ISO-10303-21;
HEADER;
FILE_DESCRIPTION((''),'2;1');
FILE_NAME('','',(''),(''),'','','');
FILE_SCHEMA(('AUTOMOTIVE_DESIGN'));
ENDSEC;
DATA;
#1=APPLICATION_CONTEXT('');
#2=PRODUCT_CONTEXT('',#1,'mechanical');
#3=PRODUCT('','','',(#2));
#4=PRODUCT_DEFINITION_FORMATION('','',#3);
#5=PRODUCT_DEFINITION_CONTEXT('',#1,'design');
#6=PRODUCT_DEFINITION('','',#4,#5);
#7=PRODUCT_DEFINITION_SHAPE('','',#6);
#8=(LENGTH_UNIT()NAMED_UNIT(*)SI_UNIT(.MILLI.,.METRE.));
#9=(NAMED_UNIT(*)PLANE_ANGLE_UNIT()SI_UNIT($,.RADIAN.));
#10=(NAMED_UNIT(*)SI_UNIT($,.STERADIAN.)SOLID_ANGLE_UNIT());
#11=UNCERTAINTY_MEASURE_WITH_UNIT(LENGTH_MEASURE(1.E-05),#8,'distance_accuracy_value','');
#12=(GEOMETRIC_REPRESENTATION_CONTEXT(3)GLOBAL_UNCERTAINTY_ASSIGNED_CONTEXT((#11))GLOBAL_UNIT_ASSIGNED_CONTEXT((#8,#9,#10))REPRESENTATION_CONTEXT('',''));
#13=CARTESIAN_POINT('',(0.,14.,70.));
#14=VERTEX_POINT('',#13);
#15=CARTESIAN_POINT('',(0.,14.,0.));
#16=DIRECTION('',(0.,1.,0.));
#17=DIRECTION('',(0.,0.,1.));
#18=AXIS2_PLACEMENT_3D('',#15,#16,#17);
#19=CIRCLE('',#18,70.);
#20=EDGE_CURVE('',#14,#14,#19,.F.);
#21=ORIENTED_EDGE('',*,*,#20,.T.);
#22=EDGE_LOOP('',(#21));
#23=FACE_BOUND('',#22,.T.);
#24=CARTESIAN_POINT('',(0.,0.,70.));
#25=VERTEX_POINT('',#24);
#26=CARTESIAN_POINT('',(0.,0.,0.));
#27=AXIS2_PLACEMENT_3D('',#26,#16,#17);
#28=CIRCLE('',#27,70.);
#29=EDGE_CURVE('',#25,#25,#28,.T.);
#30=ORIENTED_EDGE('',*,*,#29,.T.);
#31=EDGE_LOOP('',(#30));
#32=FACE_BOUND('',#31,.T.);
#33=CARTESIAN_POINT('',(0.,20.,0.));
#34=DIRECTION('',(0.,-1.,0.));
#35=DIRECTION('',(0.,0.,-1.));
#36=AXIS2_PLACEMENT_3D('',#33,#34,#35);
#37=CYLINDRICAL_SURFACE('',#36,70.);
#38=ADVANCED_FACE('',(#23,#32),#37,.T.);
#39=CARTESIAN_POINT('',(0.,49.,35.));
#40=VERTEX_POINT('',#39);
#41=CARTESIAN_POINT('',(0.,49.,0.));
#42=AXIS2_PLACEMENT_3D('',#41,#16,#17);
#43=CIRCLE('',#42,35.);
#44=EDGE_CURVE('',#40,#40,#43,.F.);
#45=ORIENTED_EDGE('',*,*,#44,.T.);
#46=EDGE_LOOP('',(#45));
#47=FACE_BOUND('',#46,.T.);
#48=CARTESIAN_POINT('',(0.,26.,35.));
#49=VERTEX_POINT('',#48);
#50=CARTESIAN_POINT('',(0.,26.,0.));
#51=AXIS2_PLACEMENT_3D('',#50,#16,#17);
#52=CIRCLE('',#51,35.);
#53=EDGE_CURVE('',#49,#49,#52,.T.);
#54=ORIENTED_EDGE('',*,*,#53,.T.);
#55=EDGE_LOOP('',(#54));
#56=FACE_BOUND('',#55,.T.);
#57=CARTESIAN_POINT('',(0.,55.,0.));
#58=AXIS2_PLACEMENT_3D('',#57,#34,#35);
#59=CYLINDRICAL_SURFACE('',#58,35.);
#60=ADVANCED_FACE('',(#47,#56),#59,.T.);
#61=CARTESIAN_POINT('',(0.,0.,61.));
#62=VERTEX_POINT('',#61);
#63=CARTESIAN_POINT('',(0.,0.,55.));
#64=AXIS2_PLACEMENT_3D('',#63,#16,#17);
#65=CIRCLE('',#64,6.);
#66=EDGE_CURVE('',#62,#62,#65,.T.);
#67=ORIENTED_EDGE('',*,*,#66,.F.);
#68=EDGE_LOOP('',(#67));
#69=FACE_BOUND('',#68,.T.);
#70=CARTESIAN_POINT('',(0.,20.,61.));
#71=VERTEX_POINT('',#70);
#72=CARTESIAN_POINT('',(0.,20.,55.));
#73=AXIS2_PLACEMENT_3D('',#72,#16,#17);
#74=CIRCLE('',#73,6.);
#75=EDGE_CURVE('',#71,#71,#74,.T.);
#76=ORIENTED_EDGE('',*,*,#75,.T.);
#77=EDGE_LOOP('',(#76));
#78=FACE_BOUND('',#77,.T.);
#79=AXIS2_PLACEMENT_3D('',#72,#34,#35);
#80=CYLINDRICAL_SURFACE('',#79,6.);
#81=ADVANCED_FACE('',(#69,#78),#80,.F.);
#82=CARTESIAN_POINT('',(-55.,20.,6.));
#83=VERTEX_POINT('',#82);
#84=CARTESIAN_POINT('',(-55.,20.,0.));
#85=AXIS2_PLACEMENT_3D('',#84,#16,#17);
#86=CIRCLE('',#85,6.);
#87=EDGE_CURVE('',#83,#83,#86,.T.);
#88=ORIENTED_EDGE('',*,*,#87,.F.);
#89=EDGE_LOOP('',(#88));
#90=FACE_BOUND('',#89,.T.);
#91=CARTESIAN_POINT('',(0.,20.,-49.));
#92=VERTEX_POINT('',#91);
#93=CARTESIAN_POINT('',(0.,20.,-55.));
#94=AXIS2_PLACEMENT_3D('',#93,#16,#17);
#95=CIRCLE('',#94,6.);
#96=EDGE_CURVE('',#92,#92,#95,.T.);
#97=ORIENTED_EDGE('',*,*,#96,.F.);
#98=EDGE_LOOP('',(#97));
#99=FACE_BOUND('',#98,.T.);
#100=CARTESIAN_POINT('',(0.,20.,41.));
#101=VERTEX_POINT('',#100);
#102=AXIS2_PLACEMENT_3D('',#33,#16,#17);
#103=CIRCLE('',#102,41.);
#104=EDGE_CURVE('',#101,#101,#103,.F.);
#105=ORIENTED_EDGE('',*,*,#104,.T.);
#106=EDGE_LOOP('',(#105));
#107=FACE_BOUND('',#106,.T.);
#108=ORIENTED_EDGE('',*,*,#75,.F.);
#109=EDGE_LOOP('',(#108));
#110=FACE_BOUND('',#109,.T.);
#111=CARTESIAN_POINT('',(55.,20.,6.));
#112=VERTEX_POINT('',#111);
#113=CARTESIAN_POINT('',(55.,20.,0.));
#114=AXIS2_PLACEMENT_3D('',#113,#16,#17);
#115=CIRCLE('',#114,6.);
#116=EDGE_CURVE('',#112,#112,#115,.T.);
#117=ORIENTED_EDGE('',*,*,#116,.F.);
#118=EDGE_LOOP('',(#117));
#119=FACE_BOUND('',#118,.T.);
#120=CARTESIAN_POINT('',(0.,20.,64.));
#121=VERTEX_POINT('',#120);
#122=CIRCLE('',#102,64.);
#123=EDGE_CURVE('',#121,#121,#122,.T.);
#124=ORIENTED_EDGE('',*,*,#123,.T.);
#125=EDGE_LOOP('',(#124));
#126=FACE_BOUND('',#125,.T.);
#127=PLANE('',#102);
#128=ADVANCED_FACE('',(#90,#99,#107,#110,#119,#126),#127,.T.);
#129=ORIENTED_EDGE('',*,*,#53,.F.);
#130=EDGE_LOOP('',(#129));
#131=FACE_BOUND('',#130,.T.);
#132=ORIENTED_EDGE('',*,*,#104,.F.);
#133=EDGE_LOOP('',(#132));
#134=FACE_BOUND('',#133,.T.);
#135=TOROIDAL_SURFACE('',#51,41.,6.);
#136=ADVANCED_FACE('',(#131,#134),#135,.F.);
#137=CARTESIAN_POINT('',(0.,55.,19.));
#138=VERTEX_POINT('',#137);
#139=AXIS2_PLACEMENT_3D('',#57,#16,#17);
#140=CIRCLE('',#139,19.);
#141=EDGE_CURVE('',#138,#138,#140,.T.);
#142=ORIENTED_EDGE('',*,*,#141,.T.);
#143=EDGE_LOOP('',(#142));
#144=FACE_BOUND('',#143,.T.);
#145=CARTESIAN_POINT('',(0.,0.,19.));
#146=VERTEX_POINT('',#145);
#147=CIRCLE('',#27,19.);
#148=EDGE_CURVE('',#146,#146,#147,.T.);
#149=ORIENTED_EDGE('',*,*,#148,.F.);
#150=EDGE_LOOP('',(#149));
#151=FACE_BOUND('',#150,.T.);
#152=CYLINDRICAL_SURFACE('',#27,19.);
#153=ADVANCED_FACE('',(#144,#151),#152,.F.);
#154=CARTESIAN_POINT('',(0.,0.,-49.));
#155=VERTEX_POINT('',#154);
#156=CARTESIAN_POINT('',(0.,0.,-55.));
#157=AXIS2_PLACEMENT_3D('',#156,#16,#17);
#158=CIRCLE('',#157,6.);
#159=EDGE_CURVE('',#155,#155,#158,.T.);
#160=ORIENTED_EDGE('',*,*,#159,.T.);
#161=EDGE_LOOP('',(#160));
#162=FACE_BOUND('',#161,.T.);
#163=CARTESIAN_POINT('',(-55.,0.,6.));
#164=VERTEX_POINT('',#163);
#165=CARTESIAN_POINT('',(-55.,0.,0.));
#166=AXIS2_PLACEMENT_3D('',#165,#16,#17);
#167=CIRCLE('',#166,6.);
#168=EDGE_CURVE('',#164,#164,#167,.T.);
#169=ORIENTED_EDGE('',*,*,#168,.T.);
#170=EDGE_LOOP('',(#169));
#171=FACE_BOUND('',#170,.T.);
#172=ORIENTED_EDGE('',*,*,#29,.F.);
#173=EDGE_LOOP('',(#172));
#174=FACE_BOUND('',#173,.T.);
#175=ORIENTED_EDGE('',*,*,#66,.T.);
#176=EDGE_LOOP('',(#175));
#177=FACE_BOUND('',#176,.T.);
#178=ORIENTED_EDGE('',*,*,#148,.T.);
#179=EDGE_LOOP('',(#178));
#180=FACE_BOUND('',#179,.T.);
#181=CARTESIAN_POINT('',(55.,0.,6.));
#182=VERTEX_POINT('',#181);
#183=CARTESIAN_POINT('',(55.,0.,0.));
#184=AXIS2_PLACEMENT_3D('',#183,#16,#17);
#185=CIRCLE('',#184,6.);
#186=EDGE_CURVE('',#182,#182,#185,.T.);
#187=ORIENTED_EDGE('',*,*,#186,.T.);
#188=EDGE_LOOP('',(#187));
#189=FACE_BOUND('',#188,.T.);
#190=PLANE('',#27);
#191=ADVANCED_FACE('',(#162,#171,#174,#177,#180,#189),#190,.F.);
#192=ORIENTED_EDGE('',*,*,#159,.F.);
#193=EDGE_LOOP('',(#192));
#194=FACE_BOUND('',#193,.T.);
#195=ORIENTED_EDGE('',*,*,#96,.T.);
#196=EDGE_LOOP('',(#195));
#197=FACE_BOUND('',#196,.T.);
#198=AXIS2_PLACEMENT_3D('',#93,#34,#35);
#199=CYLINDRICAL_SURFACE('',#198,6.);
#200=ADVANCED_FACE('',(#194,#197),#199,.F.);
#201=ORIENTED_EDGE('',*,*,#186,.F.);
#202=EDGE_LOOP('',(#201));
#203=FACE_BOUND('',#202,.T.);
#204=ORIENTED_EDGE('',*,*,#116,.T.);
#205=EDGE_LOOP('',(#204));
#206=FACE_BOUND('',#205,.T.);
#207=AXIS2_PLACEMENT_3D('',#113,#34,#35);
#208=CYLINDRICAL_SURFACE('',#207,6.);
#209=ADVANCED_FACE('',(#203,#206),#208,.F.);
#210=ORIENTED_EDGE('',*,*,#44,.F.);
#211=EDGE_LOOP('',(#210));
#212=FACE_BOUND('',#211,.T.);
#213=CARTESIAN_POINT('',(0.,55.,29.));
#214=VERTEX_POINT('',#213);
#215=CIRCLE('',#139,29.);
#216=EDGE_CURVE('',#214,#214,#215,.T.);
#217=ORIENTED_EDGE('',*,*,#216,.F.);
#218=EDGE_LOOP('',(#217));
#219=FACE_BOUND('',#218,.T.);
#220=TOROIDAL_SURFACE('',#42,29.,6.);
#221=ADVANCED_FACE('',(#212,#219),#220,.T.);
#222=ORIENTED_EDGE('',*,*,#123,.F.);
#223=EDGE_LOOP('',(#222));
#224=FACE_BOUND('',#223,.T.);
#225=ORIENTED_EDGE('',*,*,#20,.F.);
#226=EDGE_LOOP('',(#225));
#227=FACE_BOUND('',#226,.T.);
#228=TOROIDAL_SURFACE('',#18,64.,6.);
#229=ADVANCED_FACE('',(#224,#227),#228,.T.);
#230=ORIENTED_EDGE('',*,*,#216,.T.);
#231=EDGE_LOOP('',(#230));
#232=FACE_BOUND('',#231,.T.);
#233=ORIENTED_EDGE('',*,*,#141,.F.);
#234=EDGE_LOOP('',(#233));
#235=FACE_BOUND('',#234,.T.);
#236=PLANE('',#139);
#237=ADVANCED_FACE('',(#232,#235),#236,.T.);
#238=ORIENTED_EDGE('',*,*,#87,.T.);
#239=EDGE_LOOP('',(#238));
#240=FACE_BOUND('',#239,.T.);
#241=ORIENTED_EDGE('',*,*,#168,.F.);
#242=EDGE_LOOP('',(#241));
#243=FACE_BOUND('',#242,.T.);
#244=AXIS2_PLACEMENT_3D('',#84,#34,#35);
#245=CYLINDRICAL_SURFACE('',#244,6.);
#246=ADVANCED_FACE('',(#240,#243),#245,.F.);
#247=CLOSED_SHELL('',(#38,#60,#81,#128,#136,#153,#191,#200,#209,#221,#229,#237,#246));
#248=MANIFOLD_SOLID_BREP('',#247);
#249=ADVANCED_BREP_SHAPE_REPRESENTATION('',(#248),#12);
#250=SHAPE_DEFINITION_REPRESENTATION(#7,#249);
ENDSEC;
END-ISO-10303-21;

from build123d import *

# Parameters (mm, degrees)
SKETCH1_R           = 70
SKETCH1_R_2         = 6
BOSS_EXTRUDE1_DEPTH = 20
SKETCH2_R           = 35
BOSS_EXTRUDE2_DEPTH = 35
SKETCH3_R           = 19
CUT_EXTRUDE1_DEPTH  = 56
FILLET1_R           = 6


with BuildPart() as part:
    # Sketch1 → Boss-Extrude1 (new body)
    with BuildSketch(Plane(origin=(0, 0, 0), x_dir=(1, 0, 0), z_dir=(0, 1, 0))):
        Circle(SKETCH1_R)
        with Locations((0, 55)):
            Circle(SKETCH1_R_2, mode=Mode.SUBTRACT)
        with Locations((55, 0)):
            Circle(SKETCH1_R_2, mode=Mode.SUBTRACT)
        with Locations((0, -55)):
            Circle(SKETCH1_R_2, mode=Mode.SUBTRACT)
        with Locations((-55, 0)):
            Circle(SKETCH1_R_2, mode=Mode.SUBTRACT)
    extrude(amount=BOSS_EXTRUDE1_DEPTH)

    # Sketch2 → Boss-Extrude2 (add)
    with BuildSketch(Plane(origin=(0, 20, 0), x_dir=(1, 0, 0), z_dir=(0, 1, 0))):
        Circle(SKETCH2_R)
    extrude(amount=BOSS_EXTRUDE2_DEPTH)

    # Sketch3 → Cut-Extrude1 (cut, through all)
    with BuildSketch(Plane(origin=(0, 55, 0), x_dir=(1, 0, 0), z_dir=(0, 1, 0))):
        Circle(SKETCH3_R)
    extrude(amount=-CUT_EXTRUDE1_DEPTH, mode=Mode.SUBTRACT)

    # Fillet1
    fillet1_edges = [part.edges().sort_by_distance(p)[0] for p in [
        (-35, 20, 0),
        (-35, 55, 0),
        (-70, 20, 0),
    ]]
    fillet(fillet1_edges, radius=FILLET1_R)


solid = part.part
